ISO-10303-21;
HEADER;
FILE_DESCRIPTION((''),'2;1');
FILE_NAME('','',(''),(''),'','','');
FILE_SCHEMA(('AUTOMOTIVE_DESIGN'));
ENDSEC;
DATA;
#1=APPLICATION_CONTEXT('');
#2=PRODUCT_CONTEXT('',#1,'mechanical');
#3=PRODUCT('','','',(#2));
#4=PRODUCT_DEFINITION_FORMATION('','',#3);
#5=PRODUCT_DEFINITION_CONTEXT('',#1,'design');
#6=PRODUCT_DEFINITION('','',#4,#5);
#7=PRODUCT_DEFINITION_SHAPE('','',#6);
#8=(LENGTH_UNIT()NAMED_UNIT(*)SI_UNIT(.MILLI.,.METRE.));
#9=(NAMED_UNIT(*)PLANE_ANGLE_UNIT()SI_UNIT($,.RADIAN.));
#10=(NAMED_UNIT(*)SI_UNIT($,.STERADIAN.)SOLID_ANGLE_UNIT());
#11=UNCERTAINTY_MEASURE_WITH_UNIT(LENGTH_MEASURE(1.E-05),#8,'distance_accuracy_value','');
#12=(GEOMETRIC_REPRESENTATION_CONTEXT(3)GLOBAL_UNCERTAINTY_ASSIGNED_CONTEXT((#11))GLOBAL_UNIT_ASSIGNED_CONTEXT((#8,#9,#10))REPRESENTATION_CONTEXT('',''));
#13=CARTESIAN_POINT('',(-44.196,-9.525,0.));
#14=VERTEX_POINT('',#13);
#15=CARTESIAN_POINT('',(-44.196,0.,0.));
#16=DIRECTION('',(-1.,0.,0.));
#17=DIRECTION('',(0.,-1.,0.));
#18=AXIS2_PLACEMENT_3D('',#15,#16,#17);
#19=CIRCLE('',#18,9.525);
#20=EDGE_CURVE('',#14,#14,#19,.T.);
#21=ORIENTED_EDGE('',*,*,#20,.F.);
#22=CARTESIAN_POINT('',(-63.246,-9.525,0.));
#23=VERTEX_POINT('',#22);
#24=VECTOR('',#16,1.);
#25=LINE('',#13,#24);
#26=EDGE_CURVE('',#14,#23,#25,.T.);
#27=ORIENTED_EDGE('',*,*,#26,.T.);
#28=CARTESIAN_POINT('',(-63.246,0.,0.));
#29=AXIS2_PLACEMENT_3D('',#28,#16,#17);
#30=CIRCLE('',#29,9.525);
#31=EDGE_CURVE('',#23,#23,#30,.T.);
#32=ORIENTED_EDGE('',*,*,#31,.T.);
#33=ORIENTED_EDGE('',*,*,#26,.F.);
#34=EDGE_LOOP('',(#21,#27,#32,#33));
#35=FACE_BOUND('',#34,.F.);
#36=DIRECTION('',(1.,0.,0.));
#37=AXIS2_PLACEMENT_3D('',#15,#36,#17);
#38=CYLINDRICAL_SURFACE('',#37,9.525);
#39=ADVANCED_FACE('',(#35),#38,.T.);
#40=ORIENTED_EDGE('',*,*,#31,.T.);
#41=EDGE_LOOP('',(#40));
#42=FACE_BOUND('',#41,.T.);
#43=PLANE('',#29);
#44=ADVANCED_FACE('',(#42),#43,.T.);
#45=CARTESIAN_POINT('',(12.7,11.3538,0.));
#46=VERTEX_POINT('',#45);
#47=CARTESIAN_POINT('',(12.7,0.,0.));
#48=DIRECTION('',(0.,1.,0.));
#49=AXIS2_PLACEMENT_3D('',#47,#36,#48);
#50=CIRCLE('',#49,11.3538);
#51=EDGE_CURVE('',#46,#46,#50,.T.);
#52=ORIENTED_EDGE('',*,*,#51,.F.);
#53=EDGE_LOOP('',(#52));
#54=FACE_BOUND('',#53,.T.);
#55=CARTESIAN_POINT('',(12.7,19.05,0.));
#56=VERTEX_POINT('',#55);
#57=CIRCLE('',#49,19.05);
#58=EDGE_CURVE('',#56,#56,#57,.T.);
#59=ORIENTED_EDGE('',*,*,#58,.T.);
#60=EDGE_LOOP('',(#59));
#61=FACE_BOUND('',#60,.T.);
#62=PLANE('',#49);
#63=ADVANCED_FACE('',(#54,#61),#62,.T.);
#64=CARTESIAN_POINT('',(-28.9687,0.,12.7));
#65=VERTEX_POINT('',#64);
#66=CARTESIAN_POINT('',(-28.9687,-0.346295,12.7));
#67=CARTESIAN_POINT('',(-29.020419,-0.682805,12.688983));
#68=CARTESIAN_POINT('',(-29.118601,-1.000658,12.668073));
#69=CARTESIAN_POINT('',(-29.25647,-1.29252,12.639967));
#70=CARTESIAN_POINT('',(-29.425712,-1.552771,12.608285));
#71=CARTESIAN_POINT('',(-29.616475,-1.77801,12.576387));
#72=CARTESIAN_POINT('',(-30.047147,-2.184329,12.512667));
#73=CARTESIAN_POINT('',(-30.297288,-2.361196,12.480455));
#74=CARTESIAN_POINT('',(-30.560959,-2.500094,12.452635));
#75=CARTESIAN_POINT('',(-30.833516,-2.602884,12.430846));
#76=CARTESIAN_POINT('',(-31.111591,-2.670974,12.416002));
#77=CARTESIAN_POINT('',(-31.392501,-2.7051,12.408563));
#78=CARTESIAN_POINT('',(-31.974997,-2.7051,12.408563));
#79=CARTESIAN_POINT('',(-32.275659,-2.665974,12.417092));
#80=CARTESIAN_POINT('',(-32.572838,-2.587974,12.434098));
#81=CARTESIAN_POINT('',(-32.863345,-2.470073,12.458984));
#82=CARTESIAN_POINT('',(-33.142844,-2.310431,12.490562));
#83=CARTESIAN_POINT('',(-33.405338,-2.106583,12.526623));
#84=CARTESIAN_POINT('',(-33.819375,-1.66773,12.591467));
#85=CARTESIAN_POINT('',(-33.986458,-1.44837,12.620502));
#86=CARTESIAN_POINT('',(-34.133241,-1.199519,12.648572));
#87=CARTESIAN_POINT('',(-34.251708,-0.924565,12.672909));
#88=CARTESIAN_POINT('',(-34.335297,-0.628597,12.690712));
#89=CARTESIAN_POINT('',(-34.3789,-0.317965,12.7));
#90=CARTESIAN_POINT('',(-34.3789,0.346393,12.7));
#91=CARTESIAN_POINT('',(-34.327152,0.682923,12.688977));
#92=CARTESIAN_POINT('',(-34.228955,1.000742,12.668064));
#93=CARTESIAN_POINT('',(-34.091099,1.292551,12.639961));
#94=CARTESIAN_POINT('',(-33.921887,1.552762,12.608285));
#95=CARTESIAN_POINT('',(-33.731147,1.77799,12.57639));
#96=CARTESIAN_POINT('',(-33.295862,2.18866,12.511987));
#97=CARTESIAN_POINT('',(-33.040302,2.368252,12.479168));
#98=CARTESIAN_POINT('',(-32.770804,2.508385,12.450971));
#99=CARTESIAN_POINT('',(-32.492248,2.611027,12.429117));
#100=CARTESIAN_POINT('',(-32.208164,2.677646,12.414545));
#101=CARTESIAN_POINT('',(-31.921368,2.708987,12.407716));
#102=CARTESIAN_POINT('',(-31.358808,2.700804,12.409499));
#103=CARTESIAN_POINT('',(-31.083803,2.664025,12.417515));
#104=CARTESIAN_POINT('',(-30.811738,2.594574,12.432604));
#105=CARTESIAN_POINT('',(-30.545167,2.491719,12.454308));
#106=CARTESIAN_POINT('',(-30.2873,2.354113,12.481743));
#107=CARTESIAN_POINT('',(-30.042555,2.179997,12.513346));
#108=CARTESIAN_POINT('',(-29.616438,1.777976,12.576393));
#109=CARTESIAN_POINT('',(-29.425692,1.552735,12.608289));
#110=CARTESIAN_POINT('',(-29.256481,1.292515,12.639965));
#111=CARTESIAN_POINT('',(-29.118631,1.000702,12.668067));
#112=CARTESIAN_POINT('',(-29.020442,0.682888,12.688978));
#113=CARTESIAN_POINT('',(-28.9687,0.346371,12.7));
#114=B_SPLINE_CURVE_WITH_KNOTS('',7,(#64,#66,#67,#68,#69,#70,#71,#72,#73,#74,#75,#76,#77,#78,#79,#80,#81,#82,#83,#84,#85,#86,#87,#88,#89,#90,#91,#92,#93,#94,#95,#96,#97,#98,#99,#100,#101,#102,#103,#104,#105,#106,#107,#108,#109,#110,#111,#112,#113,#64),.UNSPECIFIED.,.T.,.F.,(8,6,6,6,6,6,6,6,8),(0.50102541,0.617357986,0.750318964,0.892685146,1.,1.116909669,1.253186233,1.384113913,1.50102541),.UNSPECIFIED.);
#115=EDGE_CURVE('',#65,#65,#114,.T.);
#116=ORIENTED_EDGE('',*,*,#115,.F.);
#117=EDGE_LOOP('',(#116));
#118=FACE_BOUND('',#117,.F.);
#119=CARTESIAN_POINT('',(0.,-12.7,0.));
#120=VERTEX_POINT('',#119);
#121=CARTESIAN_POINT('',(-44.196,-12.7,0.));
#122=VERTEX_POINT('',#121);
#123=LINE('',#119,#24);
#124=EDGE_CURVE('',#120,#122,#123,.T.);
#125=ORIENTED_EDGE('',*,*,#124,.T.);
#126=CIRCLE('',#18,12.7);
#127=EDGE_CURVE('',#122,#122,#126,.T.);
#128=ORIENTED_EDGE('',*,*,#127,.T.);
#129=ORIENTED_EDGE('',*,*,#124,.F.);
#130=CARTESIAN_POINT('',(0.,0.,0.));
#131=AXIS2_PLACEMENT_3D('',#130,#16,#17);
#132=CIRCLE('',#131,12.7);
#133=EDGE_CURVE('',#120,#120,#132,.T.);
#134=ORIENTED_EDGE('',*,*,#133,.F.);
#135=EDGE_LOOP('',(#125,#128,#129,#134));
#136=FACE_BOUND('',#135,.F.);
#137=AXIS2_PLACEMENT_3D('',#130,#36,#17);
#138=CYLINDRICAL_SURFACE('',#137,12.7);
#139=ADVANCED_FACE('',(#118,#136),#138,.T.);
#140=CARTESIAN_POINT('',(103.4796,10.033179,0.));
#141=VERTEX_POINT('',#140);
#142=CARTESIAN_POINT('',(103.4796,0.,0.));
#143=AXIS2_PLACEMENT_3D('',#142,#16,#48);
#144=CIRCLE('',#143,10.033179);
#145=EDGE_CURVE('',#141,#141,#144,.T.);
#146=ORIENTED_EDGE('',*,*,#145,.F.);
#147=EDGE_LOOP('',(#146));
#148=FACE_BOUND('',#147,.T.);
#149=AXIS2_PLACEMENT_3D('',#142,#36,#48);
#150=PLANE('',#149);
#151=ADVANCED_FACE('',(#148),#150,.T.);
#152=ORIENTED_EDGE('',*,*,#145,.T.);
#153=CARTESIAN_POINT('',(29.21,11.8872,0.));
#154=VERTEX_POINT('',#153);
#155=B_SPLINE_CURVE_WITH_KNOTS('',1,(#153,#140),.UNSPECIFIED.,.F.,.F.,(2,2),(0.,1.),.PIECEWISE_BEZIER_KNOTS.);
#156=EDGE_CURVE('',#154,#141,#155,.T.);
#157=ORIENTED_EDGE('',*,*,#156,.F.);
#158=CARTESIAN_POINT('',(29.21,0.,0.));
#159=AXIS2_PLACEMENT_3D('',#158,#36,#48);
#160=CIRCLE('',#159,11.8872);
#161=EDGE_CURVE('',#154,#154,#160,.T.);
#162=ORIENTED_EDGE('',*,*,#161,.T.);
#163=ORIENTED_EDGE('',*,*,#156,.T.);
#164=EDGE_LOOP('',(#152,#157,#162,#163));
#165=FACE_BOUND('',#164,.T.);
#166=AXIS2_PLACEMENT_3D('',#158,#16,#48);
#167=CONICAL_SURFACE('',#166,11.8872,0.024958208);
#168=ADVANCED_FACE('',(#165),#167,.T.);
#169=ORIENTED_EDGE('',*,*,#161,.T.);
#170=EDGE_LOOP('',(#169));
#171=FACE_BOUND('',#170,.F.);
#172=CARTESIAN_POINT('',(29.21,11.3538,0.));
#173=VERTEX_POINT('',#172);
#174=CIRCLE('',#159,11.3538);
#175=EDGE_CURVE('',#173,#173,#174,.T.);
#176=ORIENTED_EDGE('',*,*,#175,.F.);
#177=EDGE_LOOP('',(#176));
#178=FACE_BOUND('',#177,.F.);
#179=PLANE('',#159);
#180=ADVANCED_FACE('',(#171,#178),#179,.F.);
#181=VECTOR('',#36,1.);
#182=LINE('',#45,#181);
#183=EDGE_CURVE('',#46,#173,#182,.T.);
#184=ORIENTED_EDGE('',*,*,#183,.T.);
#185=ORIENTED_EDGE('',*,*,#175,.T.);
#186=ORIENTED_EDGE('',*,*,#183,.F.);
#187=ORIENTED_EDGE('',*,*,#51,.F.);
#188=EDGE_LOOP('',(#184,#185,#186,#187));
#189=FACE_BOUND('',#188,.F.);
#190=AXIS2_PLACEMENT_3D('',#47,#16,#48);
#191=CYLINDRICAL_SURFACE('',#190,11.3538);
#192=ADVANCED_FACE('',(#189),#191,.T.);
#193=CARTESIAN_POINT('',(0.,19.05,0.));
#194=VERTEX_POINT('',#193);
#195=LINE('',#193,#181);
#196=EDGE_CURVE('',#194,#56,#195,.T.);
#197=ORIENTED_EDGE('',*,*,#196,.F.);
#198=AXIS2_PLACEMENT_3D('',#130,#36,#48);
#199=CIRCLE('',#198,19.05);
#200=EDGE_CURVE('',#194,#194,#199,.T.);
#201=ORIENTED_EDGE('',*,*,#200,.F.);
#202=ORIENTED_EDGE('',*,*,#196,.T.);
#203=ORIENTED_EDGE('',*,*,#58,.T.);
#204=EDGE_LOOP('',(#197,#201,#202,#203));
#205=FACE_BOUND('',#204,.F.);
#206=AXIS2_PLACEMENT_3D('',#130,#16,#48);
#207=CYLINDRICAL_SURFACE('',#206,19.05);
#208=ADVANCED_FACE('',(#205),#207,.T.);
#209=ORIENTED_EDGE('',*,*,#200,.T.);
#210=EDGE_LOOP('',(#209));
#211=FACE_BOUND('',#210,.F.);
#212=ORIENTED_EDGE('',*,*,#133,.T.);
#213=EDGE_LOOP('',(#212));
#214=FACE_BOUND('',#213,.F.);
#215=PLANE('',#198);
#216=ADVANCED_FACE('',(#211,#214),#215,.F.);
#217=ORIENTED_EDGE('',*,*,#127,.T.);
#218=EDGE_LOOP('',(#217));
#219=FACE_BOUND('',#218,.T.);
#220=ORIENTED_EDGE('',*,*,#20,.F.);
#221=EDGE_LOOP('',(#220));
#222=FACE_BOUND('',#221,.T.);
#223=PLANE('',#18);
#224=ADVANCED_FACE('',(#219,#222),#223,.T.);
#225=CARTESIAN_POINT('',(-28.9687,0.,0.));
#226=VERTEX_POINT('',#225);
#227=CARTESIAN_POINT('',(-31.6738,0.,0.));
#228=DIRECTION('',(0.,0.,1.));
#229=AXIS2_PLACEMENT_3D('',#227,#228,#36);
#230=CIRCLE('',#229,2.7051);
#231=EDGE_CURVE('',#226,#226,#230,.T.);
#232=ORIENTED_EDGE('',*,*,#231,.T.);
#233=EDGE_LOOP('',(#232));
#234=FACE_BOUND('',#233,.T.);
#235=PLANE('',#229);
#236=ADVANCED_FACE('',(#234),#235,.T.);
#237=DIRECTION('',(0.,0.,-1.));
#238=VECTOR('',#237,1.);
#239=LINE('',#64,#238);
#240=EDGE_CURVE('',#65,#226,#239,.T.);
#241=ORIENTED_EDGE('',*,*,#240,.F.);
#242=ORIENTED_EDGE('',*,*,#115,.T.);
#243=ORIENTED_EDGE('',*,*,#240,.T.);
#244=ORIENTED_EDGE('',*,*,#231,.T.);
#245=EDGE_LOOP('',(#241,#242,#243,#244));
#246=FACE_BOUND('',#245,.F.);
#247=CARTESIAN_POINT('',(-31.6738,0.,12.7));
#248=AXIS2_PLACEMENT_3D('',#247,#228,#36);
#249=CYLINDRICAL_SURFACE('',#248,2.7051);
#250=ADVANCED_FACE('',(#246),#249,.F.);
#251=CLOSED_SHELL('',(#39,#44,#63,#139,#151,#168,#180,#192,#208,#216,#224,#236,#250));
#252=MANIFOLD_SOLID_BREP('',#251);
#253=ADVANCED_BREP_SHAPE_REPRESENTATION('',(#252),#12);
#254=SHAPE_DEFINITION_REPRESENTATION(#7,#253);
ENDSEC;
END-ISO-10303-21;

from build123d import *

# Parameters (mm, degrees)
F0_R      = 19.05
F1_DEPTH  = 12.7
F2_R      = 12.7
F3_DEPTH  = 44.196
F4_R      = 9.525
F5_DEPTH  = 19.05
F6_R      = 11.3538
F7_DEPTH  = 16.51
F8_R      = 11.8872
F8_R_2    = 11.3538
F9_DEPTH  = 74.2696
F9_TAPER  = 1.43
F11_R     = 2.7051
F12_DEPTH = 12.7


with BuildPart() as f1:
    # F0 (on Right) → F1 (new body)
    with BuildSketch(Plane.YZ):
        Circle(F0_R)
    extrude(amount=F1_DEPTH)

    # F2 (on face) → F3 (join)
    with BuildSketch(Plane(origin=(0, 0, 0), x_dir=(0, -1, 0), z_dir=(-1, 0, 0))):
        Circle(F2_R)
    extrude(amount=F3_DEPTH)

    # F4 (on face) → F5 (join)
    with BuildSketch(Plane(origin=(-44.196, 0, 0), x_dir=(0, -1, 0), z_dir=(-1, 0, 0))):
        Circle(F4_R)
    extrude(amount=F5_DEPTH)

    # F6 (on face) → F7 (join)
    with BuildSketch(Plane.YZ.offset(12.7)):
        Circle(F6_R)
    extrude(amount=F7_DEPTH)

    # F8 (on face) → F9 (join)
    with BuildSketch(Plane.YZ.offset(29.21)):
        Circle(F8_R)
        Circle(F8_R_2, mode=Mode.SUBTRACT)
        Circle(F8_R_2)
    extrude(amount=F9_DEPTH, taper=F9_TAPER)

    # F11 (on offset) → F12 (cut)
    with BuildSketch(Plane.XY.offset(12.7)):
        with Locations((-31.6738, 0)):
            Circle(F11_R)
    extrude(amount=-F12_DEPTH, mode=Mode.SUBTRACT)


solid = f1.part
